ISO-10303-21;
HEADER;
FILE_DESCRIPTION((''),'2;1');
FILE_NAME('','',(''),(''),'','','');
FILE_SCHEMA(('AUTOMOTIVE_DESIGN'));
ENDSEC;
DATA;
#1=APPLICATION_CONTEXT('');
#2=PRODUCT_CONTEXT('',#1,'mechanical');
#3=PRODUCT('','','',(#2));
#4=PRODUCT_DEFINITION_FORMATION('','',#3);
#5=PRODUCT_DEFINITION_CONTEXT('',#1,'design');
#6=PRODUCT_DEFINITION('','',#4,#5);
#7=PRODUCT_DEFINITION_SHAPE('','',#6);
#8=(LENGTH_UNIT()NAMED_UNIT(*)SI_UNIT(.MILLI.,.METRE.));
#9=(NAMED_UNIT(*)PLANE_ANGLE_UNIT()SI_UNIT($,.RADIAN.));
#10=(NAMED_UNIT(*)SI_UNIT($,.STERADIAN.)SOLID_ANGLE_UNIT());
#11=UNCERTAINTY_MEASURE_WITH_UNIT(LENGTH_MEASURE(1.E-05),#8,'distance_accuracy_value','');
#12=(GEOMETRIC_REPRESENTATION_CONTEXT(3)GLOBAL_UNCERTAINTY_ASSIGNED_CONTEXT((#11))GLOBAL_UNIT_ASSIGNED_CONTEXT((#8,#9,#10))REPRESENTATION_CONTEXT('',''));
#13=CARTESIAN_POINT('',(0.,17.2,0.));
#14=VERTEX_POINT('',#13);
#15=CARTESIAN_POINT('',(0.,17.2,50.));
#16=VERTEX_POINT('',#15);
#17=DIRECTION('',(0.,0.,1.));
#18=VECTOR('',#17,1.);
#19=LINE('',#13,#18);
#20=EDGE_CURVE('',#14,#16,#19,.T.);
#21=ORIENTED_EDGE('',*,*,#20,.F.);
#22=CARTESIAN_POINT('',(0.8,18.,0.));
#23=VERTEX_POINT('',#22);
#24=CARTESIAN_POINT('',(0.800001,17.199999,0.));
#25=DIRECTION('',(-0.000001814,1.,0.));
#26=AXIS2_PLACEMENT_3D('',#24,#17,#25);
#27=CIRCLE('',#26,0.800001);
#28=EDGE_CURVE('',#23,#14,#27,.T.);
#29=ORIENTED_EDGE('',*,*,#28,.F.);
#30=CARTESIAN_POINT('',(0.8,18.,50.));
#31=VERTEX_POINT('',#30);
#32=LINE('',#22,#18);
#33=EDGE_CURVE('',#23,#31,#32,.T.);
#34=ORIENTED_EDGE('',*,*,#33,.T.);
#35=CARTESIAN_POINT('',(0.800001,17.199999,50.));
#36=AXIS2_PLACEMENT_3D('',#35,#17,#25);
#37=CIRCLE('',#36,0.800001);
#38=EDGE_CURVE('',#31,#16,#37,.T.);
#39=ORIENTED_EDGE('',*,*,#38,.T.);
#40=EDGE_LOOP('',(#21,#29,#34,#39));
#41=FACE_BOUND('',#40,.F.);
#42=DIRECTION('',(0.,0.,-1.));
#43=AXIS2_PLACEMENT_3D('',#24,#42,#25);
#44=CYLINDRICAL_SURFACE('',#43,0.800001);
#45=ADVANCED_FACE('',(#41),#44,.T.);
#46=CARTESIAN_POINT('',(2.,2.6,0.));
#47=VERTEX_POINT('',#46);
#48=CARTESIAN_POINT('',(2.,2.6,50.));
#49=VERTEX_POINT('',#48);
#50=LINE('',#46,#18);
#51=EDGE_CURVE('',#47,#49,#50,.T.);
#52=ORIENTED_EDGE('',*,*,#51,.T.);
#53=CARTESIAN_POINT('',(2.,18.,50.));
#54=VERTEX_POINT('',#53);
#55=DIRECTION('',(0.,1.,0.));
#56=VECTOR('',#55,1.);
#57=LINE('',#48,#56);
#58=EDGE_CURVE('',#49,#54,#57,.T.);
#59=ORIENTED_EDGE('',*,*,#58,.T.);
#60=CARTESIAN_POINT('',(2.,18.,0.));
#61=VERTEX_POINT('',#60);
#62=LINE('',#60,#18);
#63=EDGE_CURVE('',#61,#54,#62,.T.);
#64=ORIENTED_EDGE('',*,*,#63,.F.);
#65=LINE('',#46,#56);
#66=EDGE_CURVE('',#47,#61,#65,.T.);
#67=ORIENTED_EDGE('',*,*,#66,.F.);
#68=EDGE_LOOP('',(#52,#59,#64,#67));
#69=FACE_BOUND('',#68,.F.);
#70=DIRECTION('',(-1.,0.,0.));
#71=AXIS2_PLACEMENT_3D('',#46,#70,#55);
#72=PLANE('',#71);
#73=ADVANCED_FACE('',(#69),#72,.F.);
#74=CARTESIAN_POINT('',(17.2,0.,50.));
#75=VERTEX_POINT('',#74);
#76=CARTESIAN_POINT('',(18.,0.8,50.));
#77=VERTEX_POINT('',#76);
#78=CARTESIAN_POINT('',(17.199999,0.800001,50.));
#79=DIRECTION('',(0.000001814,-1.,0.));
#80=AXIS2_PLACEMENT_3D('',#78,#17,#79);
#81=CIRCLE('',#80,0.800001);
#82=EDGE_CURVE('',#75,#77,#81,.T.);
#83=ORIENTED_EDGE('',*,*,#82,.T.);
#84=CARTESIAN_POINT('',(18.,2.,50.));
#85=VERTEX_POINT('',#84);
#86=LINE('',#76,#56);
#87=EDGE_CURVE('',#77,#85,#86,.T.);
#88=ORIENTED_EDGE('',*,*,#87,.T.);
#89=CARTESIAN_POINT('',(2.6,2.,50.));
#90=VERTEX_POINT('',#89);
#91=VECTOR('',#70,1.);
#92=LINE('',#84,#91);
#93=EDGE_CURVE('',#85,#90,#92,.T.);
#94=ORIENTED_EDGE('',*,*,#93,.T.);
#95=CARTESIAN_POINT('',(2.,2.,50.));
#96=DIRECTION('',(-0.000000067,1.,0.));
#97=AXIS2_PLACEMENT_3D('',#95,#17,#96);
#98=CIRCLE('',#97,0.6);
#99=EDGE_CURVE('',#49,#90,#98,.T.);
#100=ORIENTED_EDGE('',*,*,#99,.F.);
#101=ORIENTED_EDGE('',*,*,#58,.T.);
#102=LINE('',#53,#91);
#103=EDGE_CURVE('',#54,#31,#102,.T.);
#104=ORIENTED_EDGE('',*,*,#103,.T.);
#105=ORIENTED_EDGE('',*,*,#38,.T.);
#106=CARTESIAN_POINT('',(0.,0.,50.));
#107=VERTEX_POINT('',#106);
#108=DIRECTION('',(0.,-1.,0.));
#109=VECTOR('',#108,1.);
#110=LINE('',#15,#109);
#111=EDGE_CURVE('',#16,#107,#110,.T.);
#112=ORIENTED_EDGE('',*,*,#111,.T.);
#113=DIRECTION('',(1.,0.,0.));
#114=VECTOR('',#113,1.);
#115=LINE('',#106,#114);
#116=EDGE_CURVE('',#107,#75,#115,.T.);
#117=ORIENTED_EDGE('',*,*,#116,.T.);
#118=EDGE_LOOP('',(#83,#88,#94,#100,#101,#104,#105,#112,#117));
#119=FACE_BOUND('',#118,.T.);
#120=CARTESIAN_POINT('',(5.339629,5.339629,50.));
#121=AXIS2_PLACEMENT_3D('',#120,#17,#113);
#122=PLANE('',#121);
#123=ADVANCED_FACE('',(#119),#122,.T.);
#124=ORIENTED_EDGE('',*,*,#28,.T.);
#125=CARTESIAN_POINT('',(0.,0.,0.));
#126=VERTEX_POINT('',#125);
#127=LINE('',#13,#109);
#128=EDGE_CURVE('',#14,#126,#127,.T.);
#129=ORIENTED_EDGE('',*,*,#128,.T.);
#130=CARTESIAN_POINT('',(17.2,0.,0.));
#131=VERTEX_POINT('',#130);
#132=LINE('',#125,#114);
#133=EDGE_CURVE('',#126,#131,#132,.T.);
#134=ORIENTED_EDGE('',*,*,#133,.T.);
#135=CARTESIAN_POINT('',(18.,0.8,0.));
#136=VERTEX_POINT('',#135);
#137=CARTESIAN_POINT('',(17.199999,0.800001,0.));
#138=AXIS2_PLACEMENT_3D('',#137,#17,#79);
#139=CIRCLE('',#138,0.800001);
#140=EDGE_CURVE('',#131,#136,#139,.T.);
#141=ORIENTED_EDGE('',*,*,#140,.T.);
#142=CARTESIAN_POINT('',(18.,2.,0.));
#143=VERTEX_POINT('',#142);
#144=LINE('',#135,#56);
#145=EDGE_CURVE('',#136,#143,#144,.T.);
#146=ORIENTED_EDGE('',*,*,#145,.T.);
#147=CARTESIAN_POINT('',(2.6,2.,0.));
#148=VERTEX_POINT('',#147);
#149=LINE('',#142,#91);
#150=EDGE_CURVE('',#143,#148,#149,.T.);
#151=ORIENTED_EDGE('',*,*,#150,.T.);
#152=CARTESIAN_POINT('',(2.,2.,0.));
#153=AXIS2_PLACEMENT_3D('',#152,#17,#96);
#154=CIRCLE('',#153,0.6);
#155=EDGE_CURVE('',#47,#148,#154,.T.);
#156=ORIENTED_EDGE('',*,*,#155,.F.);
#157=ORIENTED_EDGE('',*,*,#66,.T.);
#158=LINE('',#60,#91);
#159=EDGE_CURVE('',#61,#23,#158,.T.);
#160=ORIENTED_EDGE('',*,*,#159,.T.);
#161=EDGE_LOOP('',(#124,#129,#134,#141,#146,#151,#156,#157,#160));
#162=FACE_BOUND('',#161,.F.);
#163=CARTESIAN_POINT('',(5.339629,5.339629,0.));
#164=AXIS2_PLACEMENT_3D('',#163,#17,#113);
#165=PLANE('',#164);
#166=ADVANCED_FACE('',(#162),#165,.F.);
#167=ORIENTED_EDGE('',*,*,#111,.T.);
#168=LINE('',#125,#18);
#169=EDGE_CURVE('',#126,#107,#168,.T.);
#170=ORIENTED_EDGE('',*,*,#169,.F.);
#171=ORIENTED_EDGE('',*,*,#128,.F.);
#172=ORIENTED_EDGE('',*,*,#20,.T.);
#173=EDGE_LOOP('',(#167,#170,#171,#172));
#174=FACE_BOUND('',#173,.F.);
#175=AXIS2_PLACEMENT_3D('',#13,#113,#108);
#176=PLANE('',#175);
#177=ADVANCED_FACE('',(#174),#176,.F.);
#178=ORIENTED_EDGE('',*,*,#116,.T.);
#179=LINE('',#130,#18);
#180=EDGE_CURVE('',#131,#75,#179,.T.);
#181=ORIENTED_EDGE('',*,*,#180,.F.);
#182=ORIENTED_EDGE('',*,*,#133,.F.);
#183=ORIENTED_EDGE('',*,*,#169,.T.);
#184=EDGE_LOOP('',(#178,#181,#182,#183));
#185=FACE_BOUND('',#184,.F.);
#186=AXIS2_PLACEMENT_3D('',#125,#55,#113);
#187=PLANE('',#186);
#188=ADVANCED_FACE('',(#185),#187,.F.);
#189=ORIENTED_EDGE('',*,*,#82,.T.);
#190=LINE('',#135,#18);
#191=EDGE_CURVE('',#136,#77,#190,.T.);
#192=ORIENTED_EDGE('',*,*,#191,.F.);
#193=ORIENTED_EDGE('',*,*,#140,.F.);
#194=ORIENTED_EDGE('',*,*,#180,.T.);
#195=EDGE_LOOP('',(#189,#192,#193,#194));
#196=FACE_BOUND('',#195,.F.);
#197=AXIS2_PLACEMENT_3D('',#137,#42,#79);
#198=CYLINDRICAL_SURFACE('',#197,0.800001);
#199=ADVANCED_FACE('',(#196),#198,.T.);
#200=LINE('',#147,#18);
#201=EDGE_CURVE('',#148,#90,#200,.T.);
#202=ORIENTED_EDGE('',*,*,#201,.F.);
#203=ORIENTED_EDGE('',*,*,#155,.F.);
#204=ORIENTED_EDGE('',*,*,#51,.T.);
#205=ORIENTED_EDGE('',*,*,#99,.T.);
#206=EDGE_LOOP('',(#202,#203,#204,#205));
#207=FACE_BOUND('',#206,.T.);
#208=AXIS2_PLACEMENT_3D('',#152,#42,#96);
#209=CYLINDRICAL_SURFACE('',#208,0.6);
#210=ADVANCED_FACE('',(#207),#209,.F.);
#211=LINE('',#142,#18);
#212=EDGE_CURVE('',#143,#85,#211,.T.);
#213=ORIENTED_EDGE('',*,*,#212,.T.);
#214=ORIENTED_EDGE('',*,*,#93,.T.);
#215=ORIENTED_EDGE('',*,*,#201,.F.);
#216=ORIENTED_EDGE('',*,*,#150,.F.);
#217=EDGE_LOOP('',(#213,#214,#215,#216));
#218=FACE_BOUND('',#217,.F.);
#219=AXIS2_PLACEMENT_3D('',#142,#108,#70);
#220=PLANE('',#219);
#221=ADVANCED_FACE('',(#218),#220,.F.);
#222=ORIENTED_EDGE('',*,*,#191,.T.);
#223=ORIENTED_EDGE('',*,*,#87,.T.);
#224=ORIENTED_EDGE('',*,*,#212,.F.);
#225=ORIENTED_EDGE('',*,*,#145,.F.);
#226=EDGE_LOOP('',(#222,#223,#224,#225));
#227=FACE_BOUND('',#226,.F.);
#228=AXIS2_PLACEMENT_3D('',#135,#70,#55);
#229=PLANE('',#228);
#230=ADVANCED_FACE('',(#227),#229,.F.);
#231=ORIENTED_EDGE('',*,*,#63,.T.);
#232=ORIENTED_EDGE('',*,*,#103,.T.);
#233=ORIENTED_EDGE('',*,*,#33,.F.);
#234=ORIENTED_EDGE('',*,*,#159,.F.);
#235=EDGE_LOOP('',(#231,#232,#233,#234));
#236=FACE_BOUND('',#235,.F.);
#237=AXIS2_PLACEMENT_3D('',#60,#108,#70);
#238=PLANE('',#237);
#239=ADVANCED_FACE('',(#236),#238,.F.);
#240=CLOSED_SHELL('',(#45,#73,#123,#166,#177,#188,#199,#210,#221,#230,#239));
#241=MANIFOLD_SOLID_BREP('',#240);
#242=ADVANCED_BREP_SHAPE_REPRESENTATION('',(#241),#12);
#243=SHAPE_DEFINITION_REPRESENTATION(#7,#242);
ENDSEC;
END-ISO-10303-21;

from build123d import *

# Parameters (mm, degrees)
PAD_DEPTH = 50


with BuildPart() as part:
    # Sketch → Pad (new body)
    with BuildSketch(Plane.XY):
        with BuildLine():
            Line((0, 17.2), (0, 0))
            Line((0, 0), (17.2, 0))
            ThreePointArc((17.2, 0), (17.765685, 0.234315), (18, 0.8))
            Line((18, 0.8), (18, 2))
            Line((18, 2), (2.6, 2))
            ThreePointArc((2, 2.6), (1.575736, 1.575736), (2.6, 2))
            Line((2, 2.6), (2, 18))
            Line((2, 18), (0.8, 18))
            ThreePointArc((0.8, 18), (0.234315, 17.765685), (0, 17.2))
        make_face()
    extrude(amount=PAD_DEPTH)


solid = part.part
